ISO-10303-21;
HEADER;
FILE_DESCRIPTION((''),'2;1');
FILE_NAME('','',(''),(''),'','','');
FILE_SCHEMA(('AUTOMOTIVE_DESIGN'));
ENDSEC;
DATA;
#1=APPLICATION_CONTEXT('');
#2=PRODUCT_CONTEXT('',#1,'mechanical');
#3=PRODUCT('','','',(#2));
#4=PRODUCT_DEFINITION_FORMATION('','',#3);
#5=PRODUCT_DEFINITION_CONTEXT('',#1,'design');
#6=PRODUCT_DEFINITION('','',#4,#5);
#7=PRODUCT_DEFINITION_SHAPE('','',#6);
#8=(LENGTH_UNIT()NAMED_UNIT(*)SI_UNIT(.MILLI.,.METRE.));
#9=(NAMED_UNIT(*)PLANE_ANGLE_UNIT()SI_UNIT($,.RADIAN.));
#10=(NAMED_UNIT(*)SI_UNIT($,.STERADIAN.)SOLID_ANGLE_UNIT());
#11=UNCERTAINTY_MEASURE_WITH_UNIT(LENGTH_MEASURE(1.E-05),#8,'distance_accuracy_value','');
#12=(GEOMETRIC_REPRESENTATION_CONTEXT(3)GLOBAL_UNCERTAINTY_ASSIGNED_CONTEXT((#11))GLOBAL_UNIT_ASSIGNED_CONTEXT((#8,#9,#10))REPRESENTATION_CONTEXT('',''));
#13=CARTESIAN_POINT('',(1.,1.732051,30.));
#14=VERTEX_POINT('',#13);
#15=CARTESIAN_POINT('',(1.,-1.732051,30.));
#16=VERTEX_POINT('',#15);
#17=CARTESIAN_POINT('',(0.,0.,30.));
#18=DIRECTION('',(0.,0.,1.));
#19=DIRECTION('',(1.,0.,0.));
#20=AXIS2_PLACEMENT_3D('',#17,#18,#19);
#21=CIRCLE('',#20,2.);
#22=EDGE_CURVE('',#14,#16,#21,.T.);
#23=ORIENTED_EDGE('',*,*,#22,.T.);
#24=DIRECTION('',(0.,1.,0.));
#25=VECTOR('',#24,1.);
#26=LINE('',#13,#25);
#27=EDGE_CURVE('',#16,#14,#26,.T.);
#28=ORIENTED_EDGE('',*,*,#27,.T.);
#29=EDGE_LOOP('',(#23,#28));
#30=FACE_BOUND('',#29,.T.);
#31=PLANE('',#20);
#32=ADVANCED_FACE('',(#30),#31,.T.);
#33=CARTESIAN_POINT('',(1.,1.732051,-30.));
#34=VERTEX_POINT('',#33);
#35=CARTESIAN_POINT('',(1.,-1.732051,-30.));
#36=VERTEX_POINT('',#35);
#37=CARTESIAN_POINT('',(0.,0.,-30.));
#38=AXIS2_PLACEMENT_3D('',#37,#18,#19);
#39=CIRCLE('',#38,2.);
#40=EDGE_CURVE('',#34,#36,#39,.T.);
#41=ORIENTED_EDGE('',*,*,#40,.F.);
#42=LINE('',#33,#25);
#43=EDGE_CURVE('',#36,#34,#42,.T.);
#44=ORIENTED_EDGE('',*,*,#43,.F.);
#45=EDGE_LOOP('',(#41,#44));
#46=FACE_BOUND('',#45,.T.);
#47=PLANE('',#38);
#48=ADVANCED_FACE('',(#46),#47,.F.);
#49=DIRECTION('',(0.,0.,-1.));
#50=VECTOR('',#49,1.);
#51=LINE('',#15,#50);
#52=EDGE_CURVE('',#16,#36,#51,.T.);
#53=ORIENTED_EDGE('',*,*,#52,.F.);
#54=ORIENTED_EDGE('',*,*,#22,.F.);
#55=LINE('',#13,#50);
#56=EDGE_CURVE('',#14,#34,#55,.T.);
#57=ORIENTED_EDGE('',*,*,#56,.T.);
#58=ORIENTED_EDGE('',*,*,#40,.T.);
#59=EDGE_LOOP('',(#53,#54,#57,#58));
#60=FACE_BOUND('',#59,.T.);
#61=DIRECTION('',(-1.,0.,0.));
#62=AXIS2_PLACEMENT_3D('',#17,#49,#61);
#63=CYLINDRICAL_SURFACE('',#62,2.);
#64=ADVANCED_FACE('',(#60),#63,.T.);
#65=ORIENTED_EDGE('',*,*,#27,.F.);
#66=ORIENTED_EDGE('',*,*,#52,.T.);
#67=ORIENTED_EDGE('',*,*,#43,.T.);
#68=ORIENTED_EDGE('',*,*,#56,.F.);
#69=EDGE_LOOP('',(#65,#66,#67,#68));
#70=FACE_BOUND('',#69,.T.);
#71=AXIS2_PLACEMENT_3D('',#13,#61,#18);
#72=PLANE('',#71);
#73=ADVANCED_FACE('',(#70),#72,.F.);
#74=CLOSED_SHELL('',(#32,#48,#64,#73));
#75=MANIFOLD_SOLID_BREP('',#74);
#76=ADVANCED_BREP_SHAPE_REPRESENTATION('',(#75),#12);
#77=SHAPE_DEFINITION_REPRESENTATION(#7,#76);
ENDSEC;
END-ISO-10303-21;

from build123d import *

# Parameters (mm, degrees)
EXTRUDE_1_DEPTH = 30


with BuildPart() as part:
    # 草图1 → 凸台-拉伸1 (new, symmetric)
    with BuildSketch(Plane.XY):
        with BuildLine():
            Line((1, 1.732050808), (1, -1.732050808))
            ThreePointArc((1, -1.732050808), (-2, 0), (1, 1.732050808))
        make_face()
    extrude(amount=EXTRUDE_1_DEPTH, both=True)


solid = part.part
